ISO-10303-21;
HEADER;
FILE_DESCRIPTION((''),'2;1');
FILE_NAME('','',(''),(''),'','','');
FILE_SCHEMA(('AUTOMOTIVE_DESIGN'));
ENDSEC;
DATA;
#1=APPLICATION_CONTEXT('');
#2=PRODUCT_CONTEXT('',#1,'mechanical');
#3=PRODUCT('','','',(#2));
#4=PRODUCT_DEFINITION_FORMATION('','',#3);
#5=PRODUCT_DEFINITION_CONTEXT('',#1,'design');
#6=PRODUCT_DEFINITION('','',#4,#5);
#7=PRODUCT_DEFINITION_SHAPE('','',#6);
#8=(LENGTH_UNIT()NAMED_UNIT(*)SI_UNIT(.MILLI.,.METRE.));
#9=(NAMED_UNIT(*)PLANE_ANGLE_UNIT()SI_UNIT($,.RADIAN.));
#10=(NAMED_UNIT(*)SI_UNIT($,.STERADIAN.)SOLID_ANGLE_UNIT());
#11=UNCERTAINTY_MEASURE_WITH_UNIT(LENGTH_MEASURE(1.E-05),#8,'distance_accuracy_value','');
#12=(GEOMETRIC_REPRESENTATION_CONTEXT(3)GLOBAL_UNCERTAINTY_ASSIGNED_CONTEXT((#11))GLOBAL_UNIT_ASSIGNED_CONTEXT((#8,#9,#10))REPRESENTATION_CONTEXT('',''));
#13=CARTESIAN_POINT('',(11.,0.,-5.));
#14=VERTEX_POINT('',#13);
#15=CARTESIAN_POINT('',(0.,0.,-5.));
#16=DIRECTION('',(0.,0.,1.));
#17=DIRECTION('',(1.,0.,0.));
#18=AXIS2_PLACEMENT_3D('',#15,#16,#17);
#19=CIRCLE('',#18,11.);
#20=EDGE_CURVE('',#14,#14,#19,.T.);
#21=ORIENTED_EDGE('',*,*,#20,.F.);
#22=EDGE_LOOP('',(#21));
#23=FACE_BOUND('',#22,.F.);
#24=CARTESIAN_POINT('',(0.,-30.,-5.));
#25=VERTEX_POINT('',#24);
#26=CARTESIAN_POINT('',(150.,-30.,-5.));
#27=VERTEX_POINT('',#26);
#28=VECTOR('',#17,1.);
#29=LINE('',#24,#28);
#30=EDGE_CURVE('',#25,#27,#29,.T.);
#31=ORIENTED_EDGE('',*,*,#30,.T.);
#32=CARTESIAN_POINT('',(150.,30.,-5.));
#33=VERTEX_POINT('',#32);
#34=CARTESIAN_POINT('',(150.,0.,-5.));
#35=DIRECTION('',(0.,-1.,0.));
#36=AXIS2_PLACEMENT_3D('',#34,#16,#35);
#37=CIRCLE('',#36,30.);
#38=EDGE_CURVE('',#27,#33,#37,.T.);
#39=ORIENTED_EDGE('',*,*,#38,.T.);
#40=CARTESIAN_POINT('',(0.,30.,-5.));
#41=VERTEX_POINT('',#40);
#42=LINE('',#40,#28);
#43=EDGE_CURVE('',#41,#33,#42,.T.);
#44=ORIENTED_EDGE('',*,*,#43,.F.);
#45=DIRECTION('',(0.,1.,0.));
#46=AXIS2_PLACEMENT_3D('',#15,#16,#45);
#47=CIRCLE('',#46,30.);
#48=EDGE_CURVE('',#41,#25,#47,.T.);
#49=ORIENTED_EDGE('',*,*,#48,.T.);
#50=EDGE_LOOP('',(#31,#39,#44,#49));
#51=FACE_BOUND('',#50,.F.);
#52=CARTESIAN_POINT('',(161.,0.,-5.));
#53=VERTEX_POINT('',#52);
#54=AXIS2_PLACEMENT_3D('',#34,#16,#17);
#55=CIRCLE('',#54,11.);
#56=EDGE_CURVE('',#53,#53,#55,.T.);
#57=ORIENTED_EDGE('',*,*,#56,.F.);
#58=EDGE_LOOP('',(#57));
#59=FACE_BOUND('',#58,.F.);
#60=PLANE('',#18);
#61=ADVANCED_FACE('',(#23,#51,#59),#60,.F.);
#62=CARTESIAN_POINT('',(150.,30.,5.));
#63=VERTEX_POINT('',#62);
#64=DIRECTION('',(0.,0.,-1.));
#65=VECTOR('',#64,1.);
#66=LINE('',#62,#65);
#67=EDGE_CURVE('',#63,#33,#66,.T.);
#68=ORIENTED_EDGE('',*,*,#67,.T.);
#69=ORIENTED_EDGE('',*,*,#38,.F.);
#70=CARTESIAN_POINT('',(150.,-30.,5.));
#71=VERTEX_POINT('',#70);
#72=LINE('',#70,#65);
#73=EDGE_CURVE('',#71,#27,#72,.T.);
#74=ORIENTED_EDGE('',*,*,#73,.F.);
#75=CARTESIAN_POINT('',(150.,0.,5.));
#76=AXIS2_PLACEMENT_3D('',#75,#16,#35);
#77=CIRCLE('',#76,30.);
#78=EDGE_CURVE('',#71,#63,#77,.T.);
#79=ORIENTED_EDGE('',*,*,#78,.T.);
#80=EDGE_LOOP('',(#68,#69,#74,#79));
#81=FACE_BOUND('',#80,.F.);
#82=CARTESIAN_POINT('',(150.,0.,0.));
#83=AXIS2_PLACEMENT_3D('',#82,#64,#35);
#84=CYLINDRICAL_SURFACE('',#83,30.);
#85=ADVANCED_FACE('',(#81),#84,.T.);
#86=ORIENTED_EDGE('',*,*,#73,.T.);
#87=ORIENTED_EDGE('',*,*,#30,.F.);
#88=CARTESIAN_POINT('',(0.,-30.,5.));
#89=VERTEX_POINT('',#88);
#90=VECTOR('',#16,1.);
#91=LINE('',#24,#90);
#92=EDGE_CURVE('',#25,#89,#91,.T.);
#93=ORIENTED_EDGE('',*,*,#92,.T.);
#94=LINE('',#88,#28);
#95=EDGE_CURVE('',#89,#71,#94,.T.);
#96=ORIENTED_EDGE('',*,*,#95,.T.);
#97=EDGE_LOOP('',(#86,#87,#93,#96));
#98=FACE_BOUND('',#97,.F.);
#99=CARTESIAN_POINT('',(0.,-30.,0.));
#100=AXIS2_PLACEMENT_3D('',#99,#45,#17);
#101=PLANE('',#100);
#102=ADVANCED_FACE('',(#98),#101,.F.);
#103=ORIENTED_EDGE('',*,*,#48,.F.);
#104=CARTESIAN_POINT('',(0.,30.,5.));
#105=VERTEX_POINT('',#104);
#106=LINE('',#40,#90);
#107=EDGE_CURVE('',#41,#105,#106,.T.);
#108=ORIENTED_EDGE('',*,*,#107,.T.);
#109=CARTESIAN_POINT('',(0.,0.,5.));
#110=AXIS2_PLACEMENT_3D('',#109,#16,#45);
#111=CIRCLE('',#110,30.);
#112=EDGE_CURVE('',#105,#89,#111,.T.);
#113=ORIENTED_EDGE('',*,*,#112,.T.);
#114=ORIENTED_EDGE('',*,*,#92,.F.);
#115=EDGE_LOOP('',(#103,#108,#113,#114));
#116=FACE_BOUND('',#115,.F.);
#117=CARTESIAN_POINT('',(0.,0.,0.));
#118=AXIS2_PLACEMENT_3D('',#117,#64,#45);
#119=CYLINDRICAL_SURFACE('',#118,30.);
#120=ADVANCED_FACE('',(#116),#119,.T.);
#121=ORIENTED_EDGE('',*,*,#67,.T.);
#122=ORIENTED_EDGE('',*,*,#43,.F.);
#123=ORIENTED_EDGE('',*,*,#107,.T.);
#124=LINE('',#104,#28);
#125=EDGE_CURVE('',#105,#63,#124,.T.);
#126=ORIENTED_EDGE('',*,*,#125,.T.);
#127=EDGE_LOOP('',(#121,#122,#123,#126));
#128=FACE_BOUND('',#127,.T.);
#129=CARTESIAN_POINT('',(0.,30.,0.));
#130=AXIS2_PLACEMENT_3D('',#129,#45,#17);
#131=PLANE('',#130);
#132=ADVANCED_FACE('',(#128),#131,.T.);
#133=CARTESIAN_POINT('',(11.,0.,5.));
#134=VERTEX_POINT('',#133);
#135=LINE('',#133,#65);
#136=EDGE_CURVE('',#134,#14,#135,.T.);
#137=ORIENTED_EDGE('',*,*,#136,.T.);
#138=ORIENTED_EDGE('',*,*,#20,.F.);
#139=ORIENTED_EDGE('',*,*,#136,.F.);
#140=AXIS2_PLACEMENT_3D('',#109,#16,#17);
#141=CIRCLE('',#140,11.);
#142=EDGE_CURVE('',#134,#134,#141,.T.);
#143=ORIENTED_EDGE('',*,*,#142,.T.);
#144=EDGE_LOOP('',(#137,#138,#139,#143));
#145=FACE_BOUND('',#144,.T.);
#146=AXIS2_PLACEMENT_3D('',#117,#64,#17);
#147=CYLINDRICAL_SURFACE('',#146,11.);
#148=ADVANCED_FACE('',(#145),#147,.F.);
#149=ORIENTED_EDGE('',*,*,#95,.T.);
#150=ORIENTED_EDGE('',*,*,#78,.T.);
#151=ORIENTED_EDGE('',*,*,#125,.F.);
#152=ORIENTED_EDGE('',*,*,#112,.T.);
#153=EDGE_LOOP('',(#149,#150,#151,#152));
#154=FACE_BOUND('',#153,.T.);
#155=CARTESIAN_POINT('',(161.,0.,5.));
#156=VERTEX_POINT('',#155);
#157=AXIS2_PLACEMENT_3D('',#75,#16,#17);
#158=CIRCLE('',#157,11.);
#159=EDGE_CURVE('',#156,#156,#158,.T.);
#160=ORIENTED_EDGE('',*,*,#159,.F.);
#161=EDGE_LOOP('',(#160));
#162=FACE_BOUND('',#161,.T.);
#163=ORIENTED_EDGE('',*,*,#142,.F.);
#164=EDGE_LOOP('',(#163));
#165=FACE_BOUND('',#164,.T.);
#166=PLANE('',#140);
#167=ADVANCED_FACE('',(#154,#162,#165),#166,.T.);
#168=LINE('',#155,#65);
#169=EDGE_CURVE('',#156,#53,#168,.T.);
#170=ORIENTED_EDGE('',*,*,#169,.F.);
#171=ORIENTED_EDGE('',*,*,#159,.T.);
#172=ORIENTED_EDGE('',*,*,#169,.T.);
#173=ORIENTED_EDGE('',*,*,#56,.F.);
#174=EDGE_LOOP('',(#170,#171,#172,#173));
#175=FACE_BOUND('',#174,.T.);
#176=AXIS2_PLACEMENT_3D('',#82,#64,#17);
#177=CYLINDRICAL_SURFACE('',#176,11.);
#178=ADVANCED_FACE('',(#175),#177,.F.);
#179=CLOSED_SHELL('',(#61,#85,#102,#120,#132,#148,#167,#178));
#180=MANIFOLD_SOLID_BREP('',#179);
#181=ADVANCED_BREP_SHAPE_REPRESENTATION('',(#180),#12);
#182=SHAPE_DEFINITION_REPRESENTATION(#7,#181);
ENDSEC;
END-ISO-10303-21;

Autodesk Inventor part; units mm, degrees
ref_plane "YZ Plane" through (0, 0, 0) normal (1, 0, 0) x (0, 1, 0)
ref_plane "XZ Plane" through (0, 0, 0) normal (0, 1, 0) x (-1, 0, 0)
ref_plane "XY Plane" through (0, 0, 0) normal (0, 0, 1) x (1, 0, 0)
sketch "Sketch1" plane through (0, 0, 0) normal (0, 0, 1) x (1, 0, 0)
  circle A0 centre (0, 0) radius 11
  arc A1 (0, 30) -> (0, -30) centre (0, 0) ccw
  line L0 (0, 30) -> (150, 30)
  circle A2 centre (150, 0) radius 11
  line L1 (0, -30) -> (150, -30)
  arc A3 (150, -30) -> (150, 30) centre (150, 0) ccw
  dimension "d0" = 22
  dimension "d1" = 30
  dimension "d2" = 150
  dimension "d3" = 22
  dimension "d6" = 150
extrude "Extrusion1" add sketch "Sketch1" along normal mid plane 10
equation "\"d6\" = d2"
properties part number "Suporte"
